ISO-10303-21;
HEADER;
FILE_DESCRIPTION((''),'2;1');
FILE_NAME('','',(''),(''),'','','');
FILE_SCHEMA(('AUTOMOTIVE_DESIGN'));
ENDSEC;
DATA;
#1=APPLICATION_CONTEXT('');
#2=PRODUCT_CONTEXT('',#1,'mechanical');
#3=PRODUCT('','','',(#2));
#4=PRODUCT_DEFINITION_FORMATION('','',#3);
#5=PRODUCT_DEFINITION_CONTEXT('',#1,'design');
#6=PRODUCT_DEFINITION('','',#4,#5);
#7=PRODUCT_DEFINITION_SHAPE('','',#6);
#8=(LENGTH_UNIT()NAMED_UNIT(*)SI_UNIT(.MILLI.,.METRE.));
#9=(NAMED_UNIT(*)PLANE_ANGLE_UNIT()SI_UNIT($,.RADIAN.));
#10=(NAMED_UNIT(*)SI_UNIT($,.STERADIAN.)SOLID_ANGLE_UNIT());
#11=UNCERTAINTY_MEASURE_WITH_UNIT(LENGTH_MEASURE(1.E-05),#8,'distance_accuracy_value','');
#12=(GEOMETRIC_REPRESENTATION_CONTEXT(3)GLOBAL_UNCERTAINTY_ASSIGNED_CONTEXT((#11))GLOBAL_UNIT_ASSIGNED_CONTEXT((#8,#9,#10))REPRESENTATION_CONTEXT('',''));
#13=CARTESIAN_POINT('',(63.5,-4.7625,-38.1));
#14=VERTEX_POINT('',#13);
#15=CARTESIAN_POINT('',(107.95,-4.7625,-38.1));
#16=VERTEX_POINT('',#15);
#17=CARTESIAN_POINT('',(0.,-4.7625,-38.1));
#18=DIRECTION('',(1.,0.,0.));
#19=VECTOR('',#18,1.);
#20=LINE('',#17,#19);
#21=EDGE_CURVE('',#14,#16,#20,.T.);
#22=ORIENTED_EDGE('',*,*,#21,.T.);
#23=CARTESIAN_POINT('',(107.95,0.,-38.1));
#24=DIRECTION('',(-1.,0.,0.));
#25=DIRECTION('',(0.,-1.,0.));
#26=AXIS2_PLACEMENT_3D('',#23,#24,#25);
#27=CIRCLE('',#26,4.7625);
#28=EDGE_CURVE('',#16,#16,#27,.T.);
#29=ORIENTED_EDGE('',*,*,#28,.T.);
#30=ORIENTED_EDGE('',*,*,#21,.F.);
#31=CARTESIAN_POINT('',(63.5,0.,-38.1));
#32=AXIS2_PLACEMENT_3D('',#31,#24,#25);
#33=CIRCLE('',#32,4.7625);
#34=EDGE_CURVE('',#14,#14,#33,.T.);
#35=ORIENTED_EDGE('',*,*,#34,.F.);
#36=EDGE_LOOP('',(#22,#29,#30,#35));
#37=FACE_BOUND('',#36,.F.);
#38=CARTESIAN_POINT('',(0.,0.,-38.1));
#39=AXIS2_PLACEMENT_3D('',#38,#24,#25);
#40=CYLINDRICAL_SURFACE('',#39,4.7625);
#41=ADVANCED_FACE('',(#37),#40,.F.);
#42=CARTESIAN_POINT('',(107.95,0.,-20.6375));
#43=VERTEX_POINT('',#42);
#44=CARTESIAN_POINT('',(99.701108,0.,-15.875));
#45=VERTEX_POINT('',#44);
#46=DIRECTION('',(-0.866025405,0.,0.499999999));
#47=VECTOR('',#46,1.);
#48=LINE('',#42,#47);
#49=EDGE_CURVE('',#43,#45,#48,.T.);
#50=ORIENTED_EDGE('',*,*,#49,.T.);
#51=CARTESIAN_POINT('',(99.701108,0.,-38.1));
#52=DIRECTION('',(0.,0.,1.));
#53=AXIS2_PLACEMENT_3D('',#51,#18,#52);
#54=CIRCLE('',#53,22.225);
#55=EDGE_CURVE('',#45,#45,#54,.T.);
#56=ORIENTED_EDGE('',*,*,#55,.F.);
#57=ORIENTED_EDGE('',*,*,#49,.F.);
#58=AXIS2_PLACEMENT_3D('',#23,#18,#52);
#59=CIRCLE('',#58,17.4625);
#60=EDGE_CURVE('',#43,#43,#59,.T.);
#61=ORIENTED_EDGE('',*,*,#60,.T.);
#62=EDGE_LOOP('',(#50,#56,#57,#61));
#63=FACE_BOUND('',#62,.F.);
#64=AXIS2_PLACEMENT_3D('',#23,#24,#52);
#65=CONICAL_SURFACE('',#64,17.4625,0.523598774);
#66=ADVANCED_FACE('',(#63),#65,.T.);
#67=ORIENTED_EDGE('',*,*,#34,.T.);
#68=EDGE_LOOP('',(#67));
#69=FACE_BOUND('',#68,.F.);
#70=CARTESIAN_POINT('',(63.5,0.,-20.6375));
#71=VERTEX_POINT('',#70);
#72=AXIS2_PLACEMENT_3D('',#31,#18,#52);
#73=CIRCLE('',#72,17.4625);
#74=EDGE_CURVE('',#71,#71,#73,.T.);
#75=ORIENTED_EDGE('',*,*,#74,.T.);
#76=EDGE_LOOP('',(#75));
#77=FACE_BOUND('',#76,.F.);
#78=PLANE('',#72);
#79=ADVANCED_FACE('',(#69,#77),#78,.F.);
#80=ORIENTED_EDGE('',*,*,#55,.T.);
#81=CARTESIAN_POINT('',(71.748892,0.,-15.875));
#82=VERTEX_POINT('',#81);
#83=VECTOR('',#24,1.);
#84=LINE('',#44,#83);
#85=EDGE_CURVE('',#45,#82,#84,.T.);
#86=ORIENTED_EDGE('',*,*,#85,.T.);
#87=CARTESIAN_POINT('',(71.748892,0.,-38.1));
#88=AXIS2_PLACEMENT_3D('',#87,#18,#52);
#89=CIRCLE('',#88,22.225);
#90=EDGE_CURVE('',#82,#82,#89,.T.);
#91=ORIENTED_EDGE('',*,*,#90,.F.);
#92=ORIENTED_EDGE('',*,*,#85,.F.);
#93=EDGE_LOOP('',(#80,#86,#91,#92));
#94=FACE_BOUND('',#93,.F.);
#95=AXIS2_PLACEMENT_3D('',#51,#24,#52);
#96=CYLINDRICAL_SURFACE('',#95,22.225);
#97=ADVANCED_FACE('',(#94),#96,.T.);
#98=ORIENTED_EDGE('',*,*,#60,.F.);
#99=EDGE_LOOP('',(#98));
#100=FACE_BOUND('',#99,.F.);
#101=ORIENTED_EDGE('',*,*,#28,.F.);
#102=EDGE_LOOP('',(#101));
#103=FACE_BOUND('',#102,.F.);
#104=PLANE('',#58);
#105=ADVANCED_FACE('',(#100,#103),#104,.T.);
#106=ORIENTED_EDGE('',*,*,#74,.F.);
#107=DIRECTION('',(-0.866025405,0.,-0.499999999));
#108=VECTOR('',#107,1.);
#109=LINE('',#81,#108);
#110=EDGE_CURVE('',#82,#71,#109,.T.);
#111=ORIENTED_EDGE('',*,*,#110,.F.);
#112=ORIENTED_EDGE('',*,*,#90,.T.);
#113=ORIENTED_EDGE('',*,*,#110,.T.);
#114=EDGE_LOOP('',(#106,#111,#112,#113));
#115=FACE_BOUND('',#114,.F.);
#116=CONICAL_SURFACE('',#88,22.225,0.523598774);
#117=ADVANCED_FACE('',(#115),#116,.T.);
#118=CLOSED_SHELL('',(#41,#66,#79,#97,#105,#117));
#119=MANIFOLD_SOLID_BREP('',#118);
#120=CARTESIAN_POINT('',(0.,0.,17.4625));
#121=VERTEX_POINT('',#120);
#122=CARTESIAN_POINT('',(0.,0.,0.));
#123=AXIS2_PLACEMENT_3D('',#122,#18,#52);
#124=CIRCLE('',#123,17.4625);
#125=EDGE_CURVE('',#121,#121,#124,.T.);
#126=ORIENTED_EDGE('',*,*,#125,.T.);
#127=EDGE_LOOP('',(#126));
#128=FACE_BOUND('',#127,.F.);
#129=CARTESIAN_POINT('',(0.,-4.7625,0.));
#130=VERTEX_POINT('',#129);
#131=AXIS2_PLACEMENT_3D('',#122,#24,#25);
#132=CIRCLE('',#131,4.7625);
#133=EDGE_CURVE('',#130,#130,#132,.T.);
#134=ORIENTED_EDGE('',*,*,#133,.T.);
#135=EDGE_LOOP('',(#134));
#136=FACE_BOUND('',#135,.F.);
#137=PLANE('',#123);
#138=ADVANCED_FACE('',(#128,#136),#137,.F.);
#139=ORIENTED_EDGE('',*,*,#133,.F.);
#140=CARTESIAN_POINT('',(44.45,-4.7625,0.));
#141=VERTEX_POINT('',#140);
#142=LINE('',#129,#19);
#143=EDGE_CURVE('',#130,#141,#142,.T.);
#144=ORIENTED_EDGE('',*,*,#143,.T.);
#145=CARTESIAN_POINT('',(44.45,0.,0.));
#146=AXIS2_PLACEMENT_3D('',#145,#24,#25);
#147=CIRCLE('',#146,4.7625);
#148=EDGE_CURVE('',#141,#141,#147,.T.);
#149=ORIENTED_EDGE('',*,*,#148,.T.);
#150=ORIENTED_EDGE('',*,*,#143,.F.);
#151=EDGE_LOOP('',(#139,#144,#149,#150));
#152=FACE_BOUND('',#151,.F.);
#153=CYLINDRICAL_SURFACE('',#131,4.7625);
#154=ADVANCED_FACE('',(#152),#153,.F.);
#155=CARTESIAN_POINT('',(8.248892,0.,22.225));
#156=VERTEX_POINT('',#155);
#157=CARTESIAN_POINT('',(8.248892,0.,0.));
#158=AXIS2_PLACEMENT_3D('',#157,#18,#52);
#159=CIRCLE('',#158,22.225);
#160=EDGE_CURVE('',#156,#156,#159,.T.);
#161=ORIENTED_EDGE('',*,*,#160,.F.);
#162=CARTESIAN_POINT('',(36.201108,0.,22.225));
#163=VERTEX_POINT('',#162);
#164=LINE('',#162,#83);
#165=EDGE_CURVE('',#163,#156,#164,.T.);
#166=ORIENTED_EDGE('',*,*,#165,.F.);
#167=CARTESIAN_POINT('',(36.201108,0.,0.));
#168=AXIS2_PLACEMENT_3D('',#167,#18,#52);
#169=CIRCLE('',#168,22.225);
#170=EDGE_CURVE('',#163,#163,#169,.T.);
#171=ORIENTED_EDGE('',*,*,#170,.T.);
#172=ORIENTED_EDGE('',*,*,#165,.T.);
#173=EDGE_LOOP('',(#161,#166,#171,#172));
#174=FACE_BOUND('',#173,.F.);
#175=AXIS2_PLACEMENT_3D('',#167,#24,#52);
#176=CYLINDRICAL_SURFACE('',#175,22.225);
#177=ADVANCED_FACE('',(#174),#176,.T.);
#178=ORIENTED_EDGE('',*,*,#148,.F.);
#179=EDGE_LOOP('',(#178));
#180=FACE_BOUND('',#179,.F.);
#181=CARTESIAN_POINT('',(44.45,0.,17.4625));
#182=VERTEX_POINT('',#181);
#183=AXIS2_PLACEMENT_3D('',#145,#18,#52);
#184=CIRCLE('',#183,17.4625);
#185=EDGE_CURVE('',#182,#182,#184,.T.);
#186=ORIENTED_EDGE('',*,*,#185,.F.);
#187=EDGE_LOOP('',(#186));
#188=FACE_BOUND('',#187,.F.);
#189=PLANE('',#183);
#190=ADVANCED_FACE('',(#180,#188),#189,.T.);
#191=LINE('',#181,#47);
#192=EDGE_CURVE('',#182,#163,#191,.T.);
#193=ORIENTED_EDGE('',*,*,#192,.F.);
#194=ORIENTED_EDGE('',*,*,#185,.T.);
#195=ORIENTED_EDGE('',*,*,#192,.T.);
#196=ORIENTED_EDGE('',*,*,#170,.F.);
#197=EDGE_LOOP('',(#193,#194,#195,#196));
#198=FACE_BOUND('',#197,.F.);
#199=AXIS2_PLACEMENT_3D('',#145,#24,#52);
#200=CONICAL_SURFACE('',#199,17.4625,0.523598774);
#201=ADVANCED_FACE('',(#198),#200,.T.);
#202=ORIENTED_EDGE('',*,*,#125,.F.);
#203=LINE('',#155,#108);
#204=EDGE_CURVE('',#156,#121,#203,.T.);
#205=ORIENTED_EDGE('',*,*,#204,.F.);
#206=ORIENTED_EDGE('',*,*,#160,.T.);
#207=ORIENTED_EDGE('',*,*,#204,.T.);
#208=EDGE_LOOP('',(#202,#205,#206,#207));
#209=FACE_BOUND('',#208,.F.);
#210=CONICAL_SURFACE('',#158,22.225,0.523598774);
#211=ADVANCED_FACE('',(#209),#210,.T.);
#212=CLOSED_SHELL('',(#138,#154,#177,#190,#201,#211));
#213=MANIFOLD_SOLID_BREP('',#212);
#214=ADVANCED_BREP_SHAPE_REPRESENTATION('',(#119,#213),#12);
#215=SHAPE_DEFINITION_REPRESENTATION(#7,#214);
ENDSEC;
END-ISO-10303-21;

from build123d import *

# Parameters (mm, degrees)
F3_R     = 4.7625
F4_DEPTH = 107.951


with BuildPart() as f1:
    # F0 (on Front) → F1 (revolve)
    with BuildSketch(Plane.XZ):
        Polygon((0, 17.4625), (0, 0), (44.45, 0), (44.45, 17.4625), (36.201108, 22.225), (8.248892, 22.225), align=None)
    revolve(axis=Axis((22.225, 0, 0), (1, 0, 0)))


with BuildPart() as f2:
    # F0 (on Front) → F2 (revolve)
    with BuildSketch(Plane.XZ):
        Polygon((63.5, -20.6375), (63.5, -38.1), (107.95, -38.1), (107.95, -20.6375), (99.701108, -15.875), (71.748892, -15.875), align=None)
    revolve(axis=Axis((85.725, 0, -38.1), (1, 0, 0)))


with BuildPart() as f4_tool:
    # F3 (on face) → F4 (new body, through all)
    with BuildSketch(Plane(origin=(0, 0, 0), x_dir=(0, -1, 0), z_dir=(-1, 0, 0))):
        Circle(F3_R)
        with Locations((0, -38.1)):
            Circle(F3_R)
    extrude(amount=-F4_DEPTH)


with BuildPart() as f1_1:
    add(f1.part)

    # F4: cut by f4_tool
    add(f4_tool.part, mode=Mode.SUBTRACT)


with BuildPart() as f2_1:
    add(f2.part)

    # F4: cut by f4_tool
    add(f4_tool.part, mode=Mode.SUBTRACT)


solid = Compound([f1_1.part, f2_1.part])
